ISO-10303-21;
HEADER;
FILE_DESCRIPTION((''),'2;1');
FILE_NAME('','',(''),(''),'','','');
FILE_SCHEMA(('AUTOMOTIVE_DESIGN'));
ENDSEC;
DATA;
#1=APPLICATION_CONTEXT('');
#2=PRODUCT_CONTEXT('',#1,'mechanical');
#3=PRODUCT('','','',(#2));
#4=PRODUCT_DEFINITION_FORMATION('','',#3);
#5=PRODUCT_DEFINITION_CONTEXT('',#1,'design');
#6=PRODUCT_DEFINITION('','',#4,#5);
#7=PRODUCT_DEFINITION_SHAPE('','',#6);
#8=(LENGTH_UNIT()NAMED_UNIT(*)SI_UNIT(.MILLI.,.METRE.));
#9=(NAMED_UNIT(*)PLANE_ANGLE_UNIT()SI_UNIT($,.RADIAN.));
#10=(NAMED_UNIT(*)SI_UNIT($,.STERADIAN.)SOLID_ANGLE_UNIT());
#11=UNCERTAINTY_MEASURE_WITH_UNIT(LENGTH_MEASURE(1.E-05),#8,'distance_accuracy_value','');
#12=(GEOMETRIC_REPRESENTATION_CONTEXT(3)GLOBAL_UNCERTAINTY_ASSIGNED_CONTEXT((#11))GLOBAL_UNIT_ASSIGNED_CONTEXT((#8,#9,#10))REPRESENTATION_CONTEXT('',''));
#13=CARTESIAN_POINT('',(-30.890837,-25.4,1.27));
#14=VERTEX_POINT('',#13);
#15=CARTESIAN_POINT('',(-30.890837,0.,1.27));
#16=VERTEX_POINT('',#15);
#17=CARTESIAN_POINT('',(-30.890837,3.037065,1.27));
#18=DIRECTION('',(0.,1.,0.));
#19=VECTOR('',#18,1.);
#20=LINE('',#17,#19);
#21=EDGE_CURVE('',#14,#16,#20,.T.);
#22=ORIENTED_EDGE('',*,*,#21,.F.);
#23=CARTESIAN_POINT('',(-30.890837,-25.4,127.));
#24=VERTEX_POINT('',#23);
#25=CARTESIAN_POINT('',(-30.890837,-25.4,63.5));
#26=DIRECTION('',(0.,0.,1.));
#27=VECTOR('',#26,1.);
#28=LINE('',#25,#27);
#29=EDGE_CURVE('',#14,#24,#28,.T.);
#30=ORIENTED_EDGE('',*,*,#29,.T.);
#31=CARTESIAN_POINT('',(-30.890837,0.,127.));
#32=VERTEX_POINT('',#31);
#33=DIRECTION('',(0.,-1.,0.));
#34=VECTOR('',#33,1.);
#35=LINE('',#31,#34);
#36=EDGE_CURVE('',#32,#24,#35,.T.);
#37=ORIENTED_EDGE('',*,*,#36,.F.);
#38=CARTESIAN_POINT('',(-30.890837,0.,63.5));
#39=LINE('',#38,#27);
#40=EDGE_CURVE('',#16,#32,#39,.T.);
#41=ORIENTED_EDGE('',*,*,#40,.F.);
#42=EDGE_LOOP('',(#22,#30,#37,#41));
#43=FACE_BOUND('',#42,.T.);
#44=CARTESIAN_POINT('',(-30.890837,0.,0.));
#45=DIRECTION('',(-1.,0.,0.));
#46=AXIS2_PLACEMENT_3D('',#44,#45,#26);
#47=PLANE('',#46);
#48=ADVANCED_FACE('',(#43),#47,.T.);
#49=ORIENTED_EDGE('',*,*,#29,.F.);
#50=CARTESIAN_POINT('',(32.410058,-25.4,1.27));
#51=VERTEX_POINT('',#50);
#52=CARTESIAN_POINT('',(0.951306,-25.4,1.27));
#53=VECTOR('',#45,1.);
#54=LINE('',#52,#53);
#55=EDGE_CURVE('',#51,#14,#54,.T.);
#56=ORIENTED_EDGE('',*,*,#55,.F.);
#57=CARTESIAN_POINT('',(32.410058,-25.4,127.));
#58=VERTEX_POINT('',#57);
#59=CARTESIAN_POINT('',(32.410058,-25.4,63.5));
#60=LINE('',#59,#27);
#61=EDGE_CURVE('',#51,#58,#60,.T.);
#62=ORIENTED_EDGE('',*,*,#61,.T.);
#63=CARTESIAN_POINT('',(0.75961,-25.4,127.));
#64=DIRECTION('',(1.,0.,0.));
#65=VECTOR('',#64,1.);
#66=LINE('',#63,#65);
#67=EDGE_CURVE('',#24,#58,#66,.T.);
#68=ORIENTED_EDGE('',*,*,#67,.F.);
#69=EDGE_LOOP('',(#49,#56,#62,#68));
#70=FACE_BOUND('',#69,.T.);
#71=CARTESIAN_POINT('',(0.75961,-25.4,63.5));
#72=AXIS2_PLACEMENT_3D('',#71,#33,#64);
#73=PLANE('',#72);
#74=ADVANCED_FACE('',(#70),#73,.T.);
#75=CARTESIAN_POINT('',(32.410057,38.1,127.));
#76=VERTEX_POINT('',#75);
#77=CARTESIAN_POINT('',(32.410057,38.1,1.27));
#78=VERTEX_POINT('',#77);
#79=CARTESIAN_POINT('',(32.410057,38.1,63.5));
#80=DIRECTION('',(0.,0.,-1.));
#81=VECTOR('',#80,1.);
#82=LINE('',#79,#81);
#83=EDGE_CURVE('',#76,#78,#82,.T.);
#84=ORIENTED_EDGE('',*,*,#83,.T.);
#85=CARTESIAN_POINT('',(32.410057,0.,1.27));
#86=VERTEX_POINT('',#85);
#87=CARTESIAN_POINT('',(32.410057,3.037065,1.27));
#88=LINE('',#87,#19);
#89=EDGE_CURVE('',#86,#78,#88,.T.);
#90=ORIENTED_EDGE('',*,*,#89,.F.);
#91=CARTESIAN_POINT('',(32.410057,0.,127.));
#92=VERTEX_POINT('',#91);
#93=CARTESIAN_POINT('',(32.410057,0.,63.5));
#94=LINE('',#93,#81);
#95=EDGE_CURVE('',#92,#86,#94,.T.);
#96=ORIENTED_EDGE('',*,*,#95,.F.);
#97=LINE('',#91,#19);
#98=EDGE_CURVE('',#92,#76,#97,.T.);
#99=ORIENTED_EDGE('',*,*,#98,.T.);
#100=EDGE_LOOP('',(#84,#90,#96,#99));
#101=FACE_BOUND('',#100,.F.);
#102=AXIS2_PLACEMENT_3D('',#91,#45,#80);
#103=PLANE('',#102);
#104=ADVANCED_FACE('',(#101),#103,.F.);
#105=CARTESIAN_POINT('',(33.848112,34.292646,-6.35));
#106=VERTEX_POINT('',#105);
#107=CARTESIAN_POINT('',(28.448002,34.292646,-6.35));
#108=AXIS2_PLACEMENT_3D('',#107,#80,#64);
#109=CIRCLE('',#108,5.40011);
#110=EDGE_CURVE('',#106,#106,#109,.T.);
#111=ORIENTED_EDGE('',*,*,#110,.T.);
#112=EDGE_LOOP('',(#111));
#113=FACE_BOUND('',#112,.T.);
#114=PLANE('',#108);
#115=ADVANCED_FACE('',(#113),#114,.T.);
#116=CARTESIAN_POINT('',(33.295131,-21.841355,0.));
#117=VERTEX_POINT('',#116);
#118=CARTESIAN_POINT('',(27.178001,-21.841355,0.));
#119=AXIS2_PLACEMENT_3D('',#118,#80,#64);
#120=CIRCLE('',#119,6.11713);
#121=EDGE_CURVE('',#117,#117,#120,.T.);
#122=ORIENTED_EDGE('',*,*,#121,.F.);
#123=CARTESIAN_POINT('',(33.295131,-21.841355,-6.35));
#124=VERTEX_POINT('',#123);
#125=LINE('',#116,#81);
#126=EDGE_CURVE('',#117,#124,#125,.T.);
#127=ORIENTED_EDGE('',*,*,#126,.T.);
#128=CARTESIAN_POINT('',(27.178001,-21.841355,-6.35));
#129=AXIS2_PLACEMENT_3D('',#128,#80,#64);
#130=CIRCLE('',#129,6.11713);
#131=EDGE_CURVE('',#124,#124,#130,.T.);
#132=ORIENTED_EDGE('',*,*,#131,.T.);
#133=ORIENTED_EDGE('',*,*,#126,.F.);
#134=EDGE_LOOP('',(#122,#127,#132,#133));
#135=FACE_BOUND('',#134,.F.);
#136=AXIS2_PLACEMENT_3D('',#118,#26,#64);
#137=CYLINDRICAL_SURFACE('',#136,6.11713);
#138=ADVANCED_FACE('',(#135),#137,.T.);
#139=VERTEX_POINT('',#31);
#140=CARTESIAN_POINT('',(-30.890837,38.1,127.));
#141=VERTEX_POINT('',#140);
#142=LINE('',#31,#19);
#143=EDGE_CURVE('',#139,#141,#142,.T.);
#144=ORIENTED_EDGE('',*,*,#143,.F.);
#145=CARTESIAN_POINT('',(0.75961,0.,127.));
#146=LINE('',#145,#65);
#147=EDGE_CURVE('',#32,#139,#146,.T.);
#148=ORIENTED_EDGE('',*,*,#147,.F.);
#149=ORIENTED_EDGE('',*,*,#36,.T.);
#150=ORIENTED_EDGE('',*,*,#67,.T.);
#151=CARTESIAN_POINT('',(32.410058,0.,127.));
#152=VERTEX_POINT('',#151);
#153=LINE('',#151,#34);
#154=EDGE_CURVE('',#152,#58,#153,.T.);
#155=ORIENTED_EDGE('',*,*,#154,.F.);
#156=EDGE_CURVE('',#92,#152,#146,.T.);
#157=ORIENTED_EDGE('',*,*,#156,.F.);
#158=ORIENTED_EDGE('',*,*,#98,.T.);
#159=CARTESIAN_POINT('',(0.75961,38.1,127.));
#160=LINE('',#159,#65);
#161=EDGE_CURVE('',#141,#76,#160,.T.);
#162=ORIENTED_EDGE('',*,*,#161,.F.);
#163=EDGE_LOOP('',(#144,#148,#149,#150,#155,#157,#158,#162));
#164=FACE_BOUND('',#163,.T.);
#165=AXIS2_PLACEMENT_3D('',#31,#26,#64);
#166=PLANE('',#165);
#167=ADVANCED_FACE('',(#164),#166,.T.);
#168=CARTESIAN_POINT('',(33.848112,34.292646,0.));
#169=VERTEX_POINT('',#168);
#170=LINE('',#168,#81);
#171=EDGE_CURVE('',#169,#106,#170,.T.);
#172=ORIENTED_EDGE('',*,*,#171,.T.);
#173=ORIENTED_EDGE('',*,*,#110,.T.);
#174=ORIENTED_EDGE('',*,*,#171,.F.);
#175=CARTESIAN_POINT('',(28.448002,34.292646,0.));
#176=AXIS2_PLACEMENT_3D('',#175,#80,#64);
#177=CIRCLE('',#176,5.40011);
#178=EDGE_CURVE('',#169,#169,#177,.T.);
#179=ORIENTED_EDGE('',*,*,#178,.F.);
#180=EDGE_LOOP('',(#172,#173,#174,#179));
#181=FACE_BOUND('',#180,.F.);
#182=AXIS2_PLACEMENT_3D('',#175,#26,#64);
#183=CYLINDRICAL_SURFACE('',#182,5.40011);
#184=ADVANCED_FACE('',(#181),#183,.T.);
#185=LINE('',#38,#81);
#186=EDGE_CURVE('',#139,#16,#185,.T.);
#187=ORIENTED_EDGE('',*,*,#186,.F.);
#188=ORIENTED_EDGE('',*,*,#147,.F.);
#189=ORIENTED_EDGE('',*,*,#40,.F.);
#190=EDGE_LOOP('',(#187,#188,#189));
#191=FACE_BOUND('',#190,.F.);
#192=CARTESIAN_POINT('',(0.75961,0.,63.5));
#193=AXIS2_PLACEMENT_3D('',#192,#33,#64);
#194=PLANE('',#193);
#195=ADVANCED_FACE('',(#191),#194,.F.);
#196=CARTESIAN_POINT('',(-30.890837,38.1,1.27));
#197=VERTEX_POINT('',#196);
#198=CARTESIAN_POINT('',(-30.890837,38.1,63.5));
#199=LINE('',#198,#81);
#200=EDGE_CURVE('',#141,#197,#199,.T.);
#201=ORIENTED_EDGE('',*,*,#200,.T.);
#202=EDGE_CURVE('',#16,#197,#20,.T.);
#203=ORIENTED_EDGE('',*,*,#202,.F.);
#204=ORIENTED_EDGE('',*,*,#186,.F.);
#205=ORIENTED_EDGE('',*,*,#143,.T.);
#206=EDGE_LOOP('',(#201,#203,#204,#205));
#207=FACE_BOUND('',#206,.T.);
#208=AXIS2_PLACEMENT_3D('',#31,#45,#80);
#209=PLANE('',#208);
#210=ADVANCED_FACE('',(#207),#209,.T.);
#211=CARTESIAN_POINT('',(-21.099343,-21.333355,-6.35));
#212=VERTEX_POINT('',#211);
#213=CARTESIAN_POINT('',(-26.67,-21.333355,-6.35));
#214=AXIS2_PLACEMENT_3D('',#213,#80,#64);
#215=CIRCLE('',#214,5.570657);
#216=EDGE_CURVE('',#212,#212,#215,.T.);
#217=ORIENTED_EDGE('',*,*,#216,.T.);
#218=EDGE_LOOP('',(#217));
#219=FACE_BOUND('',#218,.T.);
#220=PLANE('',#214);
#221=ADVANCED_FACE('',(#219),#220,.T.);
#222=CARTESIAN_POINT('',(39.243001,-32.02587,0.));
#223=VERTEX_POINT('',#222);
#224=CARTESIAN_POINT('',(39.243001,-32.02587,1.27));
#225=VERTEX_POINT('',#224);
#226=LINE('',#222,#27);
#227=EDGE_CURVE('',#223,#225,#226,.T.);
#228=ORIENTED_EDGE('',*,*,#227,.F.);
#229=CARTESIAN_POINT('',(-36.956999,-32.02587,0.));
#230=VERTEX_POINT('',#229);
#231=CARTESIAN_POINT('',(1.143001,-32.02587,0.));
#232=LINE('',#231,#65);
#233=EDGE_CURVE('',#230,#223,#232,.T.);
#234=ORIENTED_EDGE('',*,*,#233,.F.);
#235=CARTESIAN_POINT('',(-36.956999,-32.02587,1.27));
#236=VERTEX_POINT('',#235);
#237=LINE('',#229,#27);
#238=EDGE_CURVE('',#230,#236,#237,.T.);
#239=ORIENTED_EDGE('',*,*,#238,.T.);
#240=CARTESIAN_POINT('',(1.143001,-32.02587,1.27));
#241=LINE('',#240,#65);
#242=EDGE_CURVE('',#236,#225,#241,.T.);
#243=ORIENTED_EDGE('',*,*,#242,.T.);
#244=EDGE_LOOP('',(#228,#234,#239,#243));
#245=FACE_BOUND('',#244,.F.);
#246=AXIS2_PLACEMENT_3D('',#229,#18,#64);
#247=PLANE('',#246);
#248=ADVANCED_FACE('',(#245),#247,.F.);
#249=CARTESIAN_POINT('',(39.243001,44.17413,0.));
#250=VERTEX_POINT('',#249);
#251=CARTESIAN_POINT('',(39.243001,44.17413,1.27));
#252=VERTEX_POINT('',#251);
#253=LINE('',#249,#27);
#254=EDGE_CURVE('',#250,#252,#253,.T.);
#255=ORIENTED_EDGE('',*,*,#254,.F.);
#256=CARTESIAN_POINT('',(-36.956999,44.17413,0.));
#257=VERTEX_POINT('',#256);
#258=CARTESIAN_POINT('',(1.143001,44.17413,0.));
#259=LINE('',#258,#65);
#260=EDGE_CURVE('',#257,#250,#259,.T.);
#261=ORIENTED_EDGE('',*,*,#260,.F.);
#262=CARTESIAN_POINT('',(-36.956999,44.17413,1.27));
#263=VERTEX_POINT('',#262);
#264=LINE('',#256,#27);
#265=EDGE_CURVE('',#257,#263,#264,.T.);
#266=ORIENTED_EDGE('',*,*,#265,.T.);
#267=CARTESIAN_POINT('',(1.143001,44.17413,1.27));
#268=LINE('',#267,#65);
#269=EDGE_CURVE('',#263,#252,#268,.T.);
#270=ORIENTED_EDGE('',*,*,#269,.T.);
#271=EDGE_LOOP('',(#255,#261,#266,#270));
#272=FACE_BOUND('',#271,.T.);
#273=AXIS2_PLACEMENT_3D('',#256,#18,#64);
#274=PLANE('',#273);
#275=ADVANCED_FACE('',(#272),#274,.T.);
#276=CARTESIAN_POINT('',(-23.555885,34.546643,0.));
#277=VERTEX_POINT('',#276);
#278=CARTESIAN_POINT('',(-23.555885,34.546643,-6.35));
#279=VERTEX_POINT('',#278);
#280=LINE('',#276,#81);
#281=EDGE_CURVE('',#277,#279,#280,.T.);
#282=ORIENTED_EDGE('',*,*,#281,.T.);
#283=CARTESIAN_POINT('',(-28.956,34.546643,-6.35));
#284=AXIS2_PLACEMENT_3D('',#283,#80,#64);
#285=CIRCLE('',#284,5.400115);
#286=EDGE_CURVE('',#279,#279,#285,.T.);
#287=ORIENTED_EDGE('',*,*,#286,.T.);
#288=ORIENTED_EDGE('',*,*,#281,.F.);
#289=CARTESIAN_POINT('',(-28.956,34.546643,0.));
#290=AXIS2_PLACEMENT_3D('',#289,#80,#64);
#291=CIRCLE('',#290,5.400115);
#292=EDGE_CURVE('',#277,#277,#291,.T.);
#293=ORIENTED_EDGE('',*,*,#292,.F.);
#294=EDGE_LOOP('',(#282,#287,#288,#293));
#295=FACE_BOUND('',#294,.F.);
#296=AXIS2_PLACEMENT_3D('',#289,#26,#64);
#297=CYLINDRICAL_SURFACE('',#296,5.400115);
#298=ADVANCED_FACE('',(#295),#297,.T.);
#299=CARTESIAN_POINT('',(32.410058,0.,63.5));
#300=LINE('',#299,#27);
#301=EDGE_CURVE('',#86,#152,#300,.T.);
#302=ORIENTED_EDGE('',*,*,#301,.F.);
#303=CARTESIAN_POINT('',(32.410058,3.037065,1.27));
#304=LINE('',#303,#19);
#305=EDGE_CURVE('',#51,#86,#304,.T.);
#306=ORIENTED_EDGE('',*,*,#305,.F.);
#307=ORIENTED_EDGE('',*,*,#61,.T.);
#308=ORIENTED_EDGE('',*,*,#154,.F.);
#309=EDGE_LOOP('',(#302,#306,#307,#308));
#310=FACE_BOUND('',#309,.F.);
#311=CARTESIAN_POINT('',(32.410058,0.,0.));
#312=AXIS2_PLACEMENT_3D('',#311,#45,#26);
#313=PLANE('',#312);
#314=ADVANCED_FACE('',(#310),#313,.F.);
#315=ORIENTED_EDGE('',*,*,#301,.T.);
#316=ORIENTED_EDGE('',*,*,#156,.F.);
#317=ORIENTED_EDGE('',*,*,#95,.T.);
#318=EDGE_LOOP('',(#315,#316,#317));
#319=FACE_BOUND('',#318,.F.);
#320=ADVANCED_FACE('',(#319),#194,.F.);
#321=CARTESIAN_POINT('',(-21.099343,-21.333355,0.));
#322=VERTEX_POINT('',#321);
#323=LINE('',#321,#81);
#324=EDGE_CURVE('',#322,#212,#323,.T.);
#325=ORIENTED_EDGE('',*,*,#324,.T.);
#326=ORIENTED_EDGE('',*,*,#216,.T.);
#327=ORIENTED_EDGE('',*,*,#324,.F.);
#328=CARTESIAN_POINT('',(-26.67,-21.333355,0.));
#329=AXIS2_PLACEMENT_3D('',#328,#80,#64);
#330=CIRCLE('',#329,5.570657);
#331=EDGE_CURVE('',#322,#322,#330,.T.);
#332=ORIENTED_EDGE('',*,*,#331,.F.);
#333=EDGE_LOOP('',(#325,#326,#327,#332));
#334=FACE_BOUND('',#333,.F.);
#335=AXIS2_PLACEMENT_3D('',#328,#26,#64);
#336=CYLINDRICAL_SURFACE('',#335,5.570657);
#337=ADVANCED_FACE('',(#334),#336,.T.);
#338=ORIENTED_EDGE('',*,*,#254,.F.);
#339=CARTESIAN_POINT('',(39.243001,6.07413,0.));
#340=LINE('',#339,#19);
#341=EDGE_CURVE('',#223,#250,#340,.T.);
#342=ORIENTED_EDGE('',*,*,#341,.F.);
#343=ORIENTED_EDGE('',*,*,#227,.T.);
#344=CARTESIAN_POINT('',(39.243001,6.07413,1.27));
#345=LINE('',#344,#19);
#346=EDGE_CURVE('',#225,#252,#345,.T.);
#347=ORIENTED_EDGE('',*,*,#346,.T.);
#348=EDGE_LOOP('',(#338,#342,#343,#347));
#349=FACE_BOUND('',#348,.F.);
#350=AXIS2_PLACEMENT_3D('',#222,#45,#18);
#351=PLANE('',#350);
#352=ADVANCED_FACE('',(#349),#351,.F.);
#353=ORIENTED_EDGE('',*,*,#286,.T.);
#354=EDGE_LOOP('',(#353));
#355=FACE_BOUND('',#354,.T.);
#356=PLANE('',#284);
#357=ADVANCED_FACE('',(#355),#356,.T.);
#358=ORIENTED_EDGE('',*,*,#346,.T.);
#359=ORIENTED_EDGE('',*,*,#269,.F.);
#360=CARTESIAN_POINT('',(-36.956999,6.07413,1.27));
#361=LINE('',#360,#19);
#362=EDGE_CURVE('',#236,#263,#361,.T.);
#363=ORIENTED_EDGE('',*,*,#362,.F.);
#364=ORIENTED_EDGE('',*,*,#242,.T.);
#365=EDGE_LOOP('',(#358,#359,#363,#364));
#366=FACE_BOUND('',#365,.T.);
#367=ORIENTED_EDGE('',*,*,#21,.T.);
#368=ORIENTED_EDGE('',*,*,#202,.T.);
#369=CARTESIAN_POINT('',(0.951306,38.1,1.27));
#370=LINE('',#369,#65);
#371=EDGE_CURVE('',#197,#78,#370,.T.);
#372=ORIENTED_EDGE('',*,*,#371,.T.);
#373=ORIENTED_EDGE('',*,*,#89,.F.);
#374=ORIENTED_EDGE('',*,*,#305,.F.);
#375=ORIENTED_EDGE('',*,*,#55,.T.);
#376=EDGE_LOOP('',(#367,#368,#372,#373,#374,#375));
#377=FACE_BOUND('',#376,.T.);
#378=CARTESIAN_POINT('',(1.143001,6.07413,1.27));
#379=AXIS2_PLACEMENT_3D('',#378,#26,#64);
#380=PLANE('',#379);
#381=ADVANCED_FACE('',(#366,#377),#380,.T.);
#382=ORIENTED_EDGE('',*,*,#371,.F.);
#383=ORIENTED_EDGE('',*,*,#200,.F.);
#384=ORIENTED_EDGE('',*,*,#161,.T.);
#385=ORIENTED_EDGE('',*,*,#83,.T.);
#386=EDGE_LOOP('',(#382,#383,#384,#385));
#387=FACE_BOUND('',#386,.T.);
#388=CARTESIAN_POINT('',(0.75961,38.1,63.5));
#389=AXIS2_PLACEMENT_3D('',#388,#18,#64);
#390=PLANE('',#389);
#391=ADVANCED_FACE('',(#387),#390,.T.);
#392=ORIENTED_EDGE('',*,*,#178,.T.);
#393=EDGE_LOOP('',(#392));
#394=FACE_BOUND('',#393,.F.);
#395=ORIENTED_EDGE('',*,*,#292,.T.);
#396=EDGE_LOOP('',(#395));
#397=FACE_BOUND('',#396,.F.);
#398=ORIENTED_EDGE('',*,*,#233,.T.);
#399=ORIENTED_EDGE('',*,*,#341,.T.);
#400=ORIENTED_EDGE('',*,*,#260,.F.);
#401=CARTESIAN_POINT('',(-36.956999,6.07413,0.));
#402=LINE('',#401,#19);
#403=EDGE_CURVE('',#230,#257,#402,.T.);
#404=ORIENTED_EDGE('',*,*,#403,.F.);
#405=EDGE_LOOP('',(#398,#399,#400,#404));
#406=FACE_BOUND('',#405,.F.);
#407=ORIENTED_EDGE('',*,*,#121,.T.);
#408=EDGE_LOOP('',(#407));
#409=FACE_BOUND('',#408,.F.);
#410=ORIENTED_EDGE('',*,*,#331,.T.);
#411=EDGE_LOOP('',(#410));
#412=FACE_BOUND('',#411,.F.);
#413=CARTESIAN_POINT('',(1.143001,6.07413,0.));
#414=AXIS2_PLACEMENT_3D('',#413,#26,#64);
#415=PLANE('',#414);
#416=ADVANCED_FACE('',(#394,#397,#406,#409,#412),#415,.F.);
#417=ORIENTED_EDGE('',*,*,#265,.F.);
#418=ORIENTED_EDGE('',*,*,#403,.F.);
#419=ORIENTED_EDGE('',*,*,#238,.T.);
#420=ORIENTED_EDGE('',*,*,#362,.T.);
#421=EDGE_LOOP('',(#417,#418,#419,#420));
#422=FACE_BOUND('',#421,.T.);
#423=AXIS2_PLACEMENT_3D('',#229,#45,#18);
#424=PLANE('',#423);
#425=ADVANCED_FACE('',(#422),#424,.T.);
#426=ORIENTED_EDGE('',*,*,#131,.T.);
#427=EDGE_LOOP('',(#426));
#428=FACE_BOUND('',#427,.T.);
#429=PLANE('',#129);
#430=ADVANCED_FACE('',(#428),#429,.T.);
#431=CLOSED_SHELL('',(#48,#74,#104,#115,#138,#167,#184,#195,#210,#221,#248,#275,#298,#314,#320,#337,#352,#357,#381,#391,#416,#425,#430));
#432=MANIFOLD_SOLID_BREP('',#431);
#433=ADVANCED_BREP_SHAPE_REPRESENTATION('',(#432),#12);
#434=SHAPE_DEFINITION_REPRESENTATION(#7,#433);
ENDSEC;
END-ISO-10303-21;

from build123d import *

# Parameters (mm, degrees)
F1_W      = 63.300895
F1_H      = 127
F2_DEPTH  = 25.4
F2_FACE_W = 63.300894
F2_FACE_H = 127
F3_DEPTH  = 38.1
F0_W      = 76.2
F0_H      = 76.2
F0_W_2    = 63.5
F0_H_2    = 63.5
F4_DEPTH  = 1.27
F5_R      = 5.570657
F5_R_2    = 6.11713
F5_R_3    = 5.40011
F5_R_4    = 5.400115
F6_DEPTH  = 6.35


with BuildPart() as f2:
    # F1 (on Front) → F2 (new body)
    with BuildSketch(Plane.XZ):
        with Locations((0.75961, 63.5)):
            Rectangle(F1_W, F1_H)
    extrude(amount=F2_DEPTH)

    # F2_face (on face) → F3 (join)
    with BuildSketch(Plane(origin=(0.75961, 0, 63.5), x_dir=(1, 0, 0), z_dir=(0, 1, 0))):
        Rectangle(F2_FACE_W, F2_FACE_H)
    extrude(amount=F3_DEPTH)

    # F0 (on Top) → F4 (join)
    with BuildSketch(Plane.XY):
        with Locations((1.143001, 6.07413)):
            Rectangle(F0_W, F0_H)
        with Locations((1.143001, 6.07413)):
            Rectangle(F0_W_2, F0_H_2, mode=Mode.SUBTRACT)
        with Locations((1.143001, 6.07413)):
            Rectangle(F0_W_2, F0_H_2)
    extrude(amount=F4_DEPTH)

    # F5 (on face) → F6 (join)
    with BuildSketch(Plane(origin=(0, 0, 0), x_dir=(1, 0, 0), z_dir=(0, 0, -1))):
        with Locations((-26.67, 21.333355)):
            Circle(F5_R)
        with Locations((27.178001, 21.841355)):
            Circle(F5_R_2)
        with Locations((28.448002, -34.292646)):
            Circle(F5_R_3)
        with Locations((-28.956, -34.546643)):
            Circle(F5_R_4)
    extrude(amount=F6_DEPTH)


solid = f2.part
